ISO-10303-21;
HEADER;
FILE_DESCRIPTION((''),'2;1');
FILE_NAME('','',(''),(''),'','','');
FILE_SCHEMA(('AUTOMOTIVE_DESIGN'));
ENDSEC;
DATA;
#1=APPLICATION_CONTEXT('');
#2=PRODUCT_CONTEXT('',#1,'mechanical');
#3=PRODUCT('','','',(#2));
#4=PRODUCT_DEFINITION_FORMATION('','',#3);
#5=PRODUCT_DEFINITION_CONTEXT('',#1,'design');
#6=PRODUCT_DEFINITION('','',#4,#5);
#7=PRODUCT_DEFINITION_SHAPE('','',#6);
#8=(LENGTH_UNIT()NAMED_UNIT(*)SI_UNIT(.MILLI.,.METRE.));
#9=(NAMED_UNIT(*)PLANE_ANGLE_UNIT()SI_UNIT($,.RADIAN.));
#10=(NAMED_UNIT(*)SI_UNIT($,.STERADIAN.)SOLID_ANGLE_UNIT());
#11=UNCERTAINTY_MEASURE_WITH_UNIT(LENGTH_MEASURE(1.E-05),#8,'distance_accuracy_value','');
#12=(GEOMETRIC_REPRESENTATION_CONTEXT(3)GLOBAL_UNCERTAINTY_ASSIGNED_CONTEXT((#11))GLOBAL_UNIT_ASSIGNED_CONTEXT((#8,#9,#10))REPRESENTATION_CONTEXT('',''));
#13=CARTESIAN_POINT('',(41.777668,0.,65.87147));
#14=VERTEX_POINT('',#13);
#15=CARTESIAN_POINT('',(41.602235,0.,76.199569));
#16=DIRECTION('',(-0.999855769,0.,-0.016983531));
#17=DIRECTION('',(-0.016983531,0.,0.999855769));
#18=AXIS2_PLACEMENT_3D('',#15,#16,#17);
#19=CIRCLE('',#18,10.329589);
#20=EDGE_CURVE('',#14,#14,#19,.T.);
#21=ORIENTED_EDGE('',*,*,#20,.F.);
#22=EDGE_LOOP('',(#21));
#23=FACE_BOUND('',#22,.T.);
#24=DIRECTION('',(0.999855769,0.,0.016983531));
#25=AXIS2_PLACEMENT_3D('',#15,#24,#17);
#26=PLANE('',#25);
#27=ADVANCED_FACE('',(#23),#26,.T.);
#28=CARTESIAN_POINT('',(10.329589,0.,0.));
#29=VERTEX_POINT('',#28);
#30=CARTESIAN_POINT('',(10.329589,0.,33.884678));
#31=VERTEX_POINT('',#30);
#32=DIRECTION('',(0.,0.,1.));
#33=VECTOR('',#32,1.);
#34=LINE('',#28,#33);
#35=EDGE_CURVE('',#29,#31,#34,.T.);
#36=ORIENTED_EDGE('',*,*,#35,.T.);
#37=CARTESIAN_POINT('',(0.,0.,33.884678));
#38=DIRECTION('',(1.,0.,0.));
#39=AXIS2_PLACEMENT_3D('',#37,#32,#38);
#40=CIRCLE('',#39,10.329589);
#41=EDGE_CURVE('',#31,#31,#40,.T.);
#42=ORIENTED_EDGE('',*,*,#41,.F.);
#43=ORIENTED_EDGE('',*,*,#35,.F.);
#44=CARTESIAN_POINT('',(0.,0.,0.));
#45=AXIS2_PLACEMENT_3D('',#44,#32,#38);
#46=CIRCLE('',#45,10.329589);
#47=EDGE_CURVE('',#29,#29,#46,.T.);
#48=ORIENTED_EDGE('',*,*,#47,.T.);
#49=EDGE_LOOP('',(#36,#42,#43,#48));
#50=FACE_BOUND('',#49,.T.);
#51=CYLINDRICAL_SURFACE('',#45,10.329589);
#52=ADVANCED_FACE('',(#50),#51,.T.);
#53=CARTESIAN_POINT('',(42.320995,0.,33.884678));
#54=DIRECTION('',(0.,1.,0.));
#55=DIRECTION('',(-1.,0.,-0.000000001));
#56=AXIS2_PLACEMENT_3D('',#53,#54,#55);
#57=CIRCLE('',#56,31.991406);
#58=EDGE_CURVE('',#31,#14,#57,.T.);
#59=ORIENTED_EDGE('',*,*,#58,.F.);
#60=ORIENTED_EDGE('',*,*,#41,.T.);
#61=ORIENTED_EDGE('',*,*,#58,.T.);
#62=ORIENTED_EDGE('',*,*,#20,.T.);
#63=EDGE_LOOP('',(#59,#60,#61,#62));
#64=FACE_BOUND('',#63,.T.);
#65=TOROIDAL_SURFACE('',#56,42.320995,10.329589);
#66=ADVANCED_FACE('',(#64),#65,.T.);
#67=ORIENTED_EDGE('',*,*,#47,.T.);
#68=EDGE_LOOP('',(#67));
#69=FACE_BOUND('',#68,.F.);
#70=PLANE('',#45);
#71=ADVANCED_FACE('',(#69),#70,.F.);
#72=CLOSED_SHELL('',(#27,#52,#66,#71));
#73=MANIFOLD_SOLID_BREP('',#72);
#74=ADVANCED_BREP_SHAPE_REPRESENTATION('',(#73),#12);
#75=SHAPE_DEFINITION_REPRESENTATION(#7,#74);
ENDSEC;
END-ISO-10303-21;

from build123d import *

# Parameters (mm, degrees)
F1_R = 10.329589


with BuildPart() as f2:
    # F2: sweep along a path in F0
    with BuildLine(Plane.XZ) as f2_path:
        Line((0, 0), (0, 33.884678))
        ThreePointArc((0, 33.884678), (12.142482, 63.554932), (41.602235, 76.199569))
    # F1 (on Top) → F2 (sweep)
    with BuildSketch(Plane.XY):
        Circle(F1_R)
    sweep(path=f2_path.line)


solid = f2.part
